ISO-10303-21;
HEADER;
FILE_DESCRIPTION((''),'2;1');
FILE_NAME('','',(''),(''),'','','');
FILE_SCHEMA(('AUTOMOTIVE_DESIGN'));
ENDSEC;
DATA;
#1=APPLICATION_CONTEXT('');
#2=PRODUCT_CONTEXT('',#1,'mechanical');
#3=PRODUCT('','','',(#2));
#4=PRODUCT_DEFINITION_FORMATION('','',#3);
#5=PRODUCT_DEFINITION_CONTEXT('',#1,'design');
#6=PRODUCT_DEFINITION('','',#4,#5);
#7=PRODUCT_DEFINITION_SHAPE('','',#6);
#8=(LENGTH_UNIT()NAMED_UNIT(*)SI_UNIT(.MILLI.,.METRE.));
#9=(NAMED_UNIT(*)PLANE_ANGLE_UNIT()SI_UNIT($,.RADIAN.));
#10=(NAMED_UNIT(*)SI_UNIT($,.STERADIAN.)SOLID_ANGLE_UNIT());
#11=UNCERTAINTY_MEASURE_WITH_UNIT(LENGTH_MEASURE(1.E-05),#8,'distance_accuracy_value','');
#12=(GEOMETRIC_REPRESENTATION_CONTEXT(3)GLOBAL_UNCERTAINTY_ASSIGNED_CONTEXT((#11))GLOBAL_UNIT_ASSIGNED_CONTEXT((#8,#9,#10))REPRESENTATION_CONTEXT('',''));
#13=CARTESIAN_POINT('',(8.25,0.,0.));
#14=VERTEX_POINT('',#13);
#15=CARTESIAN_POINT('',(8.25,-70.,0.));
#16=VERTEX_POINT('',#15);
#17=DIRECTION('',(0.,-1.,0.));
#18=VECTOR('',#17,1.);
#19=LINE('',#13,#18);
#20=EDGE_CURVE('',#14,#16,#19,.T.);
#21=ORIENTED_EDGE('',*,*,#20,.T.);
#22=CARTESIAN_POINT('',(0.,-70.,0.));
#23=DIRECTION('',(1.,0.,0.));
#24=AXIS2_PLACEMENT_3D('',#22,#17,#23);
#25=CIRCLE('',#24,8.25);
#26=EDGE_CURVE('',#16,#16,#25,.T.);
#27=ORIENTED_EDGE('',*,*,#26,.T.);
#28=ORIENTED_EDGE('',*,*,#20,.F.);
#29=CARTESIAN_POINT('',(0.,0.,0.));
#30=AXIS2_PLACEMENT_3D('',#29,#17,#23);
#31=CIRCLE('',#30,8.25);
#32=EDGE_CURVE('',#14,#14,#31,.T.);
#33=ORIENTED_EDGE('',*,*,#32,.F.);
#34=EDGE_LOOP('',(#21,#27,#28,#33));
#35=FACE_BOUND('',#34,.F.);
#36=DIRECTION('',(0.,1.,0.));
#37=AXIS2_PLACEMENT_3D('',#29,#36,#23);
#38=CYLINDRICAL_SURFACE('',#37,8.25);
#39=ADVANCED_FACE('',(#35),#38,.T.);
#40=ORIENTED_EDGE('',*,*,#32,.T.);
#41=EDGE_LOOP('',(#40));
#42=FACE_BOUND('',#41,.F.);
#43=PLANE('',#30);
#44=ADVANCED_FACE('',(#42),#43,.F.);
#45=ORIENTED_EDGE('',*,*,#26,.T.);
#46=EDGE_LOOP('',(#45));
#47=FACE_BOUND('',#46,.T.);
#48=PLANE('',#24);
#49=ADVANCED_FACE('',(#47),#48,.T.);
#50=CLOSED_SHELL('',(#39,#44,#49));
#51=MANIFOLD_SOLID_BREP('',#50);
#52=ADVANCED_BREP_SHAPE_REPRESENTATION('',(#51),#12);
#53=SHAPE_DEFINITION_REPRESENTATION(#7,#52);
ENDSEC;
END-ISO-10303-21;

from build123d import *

# Parameters (mm, degrees)
SKETCH_R  = 8.25
PAD_DEPTH = 70


with BuildPart() as part:
    # Sketch → Pad (new body)
    with BuildSketch(Plane.XZ):
        Circle(SKETCH_R)
    extrude(amount=PAD_DEPTH)


solid = part.part
